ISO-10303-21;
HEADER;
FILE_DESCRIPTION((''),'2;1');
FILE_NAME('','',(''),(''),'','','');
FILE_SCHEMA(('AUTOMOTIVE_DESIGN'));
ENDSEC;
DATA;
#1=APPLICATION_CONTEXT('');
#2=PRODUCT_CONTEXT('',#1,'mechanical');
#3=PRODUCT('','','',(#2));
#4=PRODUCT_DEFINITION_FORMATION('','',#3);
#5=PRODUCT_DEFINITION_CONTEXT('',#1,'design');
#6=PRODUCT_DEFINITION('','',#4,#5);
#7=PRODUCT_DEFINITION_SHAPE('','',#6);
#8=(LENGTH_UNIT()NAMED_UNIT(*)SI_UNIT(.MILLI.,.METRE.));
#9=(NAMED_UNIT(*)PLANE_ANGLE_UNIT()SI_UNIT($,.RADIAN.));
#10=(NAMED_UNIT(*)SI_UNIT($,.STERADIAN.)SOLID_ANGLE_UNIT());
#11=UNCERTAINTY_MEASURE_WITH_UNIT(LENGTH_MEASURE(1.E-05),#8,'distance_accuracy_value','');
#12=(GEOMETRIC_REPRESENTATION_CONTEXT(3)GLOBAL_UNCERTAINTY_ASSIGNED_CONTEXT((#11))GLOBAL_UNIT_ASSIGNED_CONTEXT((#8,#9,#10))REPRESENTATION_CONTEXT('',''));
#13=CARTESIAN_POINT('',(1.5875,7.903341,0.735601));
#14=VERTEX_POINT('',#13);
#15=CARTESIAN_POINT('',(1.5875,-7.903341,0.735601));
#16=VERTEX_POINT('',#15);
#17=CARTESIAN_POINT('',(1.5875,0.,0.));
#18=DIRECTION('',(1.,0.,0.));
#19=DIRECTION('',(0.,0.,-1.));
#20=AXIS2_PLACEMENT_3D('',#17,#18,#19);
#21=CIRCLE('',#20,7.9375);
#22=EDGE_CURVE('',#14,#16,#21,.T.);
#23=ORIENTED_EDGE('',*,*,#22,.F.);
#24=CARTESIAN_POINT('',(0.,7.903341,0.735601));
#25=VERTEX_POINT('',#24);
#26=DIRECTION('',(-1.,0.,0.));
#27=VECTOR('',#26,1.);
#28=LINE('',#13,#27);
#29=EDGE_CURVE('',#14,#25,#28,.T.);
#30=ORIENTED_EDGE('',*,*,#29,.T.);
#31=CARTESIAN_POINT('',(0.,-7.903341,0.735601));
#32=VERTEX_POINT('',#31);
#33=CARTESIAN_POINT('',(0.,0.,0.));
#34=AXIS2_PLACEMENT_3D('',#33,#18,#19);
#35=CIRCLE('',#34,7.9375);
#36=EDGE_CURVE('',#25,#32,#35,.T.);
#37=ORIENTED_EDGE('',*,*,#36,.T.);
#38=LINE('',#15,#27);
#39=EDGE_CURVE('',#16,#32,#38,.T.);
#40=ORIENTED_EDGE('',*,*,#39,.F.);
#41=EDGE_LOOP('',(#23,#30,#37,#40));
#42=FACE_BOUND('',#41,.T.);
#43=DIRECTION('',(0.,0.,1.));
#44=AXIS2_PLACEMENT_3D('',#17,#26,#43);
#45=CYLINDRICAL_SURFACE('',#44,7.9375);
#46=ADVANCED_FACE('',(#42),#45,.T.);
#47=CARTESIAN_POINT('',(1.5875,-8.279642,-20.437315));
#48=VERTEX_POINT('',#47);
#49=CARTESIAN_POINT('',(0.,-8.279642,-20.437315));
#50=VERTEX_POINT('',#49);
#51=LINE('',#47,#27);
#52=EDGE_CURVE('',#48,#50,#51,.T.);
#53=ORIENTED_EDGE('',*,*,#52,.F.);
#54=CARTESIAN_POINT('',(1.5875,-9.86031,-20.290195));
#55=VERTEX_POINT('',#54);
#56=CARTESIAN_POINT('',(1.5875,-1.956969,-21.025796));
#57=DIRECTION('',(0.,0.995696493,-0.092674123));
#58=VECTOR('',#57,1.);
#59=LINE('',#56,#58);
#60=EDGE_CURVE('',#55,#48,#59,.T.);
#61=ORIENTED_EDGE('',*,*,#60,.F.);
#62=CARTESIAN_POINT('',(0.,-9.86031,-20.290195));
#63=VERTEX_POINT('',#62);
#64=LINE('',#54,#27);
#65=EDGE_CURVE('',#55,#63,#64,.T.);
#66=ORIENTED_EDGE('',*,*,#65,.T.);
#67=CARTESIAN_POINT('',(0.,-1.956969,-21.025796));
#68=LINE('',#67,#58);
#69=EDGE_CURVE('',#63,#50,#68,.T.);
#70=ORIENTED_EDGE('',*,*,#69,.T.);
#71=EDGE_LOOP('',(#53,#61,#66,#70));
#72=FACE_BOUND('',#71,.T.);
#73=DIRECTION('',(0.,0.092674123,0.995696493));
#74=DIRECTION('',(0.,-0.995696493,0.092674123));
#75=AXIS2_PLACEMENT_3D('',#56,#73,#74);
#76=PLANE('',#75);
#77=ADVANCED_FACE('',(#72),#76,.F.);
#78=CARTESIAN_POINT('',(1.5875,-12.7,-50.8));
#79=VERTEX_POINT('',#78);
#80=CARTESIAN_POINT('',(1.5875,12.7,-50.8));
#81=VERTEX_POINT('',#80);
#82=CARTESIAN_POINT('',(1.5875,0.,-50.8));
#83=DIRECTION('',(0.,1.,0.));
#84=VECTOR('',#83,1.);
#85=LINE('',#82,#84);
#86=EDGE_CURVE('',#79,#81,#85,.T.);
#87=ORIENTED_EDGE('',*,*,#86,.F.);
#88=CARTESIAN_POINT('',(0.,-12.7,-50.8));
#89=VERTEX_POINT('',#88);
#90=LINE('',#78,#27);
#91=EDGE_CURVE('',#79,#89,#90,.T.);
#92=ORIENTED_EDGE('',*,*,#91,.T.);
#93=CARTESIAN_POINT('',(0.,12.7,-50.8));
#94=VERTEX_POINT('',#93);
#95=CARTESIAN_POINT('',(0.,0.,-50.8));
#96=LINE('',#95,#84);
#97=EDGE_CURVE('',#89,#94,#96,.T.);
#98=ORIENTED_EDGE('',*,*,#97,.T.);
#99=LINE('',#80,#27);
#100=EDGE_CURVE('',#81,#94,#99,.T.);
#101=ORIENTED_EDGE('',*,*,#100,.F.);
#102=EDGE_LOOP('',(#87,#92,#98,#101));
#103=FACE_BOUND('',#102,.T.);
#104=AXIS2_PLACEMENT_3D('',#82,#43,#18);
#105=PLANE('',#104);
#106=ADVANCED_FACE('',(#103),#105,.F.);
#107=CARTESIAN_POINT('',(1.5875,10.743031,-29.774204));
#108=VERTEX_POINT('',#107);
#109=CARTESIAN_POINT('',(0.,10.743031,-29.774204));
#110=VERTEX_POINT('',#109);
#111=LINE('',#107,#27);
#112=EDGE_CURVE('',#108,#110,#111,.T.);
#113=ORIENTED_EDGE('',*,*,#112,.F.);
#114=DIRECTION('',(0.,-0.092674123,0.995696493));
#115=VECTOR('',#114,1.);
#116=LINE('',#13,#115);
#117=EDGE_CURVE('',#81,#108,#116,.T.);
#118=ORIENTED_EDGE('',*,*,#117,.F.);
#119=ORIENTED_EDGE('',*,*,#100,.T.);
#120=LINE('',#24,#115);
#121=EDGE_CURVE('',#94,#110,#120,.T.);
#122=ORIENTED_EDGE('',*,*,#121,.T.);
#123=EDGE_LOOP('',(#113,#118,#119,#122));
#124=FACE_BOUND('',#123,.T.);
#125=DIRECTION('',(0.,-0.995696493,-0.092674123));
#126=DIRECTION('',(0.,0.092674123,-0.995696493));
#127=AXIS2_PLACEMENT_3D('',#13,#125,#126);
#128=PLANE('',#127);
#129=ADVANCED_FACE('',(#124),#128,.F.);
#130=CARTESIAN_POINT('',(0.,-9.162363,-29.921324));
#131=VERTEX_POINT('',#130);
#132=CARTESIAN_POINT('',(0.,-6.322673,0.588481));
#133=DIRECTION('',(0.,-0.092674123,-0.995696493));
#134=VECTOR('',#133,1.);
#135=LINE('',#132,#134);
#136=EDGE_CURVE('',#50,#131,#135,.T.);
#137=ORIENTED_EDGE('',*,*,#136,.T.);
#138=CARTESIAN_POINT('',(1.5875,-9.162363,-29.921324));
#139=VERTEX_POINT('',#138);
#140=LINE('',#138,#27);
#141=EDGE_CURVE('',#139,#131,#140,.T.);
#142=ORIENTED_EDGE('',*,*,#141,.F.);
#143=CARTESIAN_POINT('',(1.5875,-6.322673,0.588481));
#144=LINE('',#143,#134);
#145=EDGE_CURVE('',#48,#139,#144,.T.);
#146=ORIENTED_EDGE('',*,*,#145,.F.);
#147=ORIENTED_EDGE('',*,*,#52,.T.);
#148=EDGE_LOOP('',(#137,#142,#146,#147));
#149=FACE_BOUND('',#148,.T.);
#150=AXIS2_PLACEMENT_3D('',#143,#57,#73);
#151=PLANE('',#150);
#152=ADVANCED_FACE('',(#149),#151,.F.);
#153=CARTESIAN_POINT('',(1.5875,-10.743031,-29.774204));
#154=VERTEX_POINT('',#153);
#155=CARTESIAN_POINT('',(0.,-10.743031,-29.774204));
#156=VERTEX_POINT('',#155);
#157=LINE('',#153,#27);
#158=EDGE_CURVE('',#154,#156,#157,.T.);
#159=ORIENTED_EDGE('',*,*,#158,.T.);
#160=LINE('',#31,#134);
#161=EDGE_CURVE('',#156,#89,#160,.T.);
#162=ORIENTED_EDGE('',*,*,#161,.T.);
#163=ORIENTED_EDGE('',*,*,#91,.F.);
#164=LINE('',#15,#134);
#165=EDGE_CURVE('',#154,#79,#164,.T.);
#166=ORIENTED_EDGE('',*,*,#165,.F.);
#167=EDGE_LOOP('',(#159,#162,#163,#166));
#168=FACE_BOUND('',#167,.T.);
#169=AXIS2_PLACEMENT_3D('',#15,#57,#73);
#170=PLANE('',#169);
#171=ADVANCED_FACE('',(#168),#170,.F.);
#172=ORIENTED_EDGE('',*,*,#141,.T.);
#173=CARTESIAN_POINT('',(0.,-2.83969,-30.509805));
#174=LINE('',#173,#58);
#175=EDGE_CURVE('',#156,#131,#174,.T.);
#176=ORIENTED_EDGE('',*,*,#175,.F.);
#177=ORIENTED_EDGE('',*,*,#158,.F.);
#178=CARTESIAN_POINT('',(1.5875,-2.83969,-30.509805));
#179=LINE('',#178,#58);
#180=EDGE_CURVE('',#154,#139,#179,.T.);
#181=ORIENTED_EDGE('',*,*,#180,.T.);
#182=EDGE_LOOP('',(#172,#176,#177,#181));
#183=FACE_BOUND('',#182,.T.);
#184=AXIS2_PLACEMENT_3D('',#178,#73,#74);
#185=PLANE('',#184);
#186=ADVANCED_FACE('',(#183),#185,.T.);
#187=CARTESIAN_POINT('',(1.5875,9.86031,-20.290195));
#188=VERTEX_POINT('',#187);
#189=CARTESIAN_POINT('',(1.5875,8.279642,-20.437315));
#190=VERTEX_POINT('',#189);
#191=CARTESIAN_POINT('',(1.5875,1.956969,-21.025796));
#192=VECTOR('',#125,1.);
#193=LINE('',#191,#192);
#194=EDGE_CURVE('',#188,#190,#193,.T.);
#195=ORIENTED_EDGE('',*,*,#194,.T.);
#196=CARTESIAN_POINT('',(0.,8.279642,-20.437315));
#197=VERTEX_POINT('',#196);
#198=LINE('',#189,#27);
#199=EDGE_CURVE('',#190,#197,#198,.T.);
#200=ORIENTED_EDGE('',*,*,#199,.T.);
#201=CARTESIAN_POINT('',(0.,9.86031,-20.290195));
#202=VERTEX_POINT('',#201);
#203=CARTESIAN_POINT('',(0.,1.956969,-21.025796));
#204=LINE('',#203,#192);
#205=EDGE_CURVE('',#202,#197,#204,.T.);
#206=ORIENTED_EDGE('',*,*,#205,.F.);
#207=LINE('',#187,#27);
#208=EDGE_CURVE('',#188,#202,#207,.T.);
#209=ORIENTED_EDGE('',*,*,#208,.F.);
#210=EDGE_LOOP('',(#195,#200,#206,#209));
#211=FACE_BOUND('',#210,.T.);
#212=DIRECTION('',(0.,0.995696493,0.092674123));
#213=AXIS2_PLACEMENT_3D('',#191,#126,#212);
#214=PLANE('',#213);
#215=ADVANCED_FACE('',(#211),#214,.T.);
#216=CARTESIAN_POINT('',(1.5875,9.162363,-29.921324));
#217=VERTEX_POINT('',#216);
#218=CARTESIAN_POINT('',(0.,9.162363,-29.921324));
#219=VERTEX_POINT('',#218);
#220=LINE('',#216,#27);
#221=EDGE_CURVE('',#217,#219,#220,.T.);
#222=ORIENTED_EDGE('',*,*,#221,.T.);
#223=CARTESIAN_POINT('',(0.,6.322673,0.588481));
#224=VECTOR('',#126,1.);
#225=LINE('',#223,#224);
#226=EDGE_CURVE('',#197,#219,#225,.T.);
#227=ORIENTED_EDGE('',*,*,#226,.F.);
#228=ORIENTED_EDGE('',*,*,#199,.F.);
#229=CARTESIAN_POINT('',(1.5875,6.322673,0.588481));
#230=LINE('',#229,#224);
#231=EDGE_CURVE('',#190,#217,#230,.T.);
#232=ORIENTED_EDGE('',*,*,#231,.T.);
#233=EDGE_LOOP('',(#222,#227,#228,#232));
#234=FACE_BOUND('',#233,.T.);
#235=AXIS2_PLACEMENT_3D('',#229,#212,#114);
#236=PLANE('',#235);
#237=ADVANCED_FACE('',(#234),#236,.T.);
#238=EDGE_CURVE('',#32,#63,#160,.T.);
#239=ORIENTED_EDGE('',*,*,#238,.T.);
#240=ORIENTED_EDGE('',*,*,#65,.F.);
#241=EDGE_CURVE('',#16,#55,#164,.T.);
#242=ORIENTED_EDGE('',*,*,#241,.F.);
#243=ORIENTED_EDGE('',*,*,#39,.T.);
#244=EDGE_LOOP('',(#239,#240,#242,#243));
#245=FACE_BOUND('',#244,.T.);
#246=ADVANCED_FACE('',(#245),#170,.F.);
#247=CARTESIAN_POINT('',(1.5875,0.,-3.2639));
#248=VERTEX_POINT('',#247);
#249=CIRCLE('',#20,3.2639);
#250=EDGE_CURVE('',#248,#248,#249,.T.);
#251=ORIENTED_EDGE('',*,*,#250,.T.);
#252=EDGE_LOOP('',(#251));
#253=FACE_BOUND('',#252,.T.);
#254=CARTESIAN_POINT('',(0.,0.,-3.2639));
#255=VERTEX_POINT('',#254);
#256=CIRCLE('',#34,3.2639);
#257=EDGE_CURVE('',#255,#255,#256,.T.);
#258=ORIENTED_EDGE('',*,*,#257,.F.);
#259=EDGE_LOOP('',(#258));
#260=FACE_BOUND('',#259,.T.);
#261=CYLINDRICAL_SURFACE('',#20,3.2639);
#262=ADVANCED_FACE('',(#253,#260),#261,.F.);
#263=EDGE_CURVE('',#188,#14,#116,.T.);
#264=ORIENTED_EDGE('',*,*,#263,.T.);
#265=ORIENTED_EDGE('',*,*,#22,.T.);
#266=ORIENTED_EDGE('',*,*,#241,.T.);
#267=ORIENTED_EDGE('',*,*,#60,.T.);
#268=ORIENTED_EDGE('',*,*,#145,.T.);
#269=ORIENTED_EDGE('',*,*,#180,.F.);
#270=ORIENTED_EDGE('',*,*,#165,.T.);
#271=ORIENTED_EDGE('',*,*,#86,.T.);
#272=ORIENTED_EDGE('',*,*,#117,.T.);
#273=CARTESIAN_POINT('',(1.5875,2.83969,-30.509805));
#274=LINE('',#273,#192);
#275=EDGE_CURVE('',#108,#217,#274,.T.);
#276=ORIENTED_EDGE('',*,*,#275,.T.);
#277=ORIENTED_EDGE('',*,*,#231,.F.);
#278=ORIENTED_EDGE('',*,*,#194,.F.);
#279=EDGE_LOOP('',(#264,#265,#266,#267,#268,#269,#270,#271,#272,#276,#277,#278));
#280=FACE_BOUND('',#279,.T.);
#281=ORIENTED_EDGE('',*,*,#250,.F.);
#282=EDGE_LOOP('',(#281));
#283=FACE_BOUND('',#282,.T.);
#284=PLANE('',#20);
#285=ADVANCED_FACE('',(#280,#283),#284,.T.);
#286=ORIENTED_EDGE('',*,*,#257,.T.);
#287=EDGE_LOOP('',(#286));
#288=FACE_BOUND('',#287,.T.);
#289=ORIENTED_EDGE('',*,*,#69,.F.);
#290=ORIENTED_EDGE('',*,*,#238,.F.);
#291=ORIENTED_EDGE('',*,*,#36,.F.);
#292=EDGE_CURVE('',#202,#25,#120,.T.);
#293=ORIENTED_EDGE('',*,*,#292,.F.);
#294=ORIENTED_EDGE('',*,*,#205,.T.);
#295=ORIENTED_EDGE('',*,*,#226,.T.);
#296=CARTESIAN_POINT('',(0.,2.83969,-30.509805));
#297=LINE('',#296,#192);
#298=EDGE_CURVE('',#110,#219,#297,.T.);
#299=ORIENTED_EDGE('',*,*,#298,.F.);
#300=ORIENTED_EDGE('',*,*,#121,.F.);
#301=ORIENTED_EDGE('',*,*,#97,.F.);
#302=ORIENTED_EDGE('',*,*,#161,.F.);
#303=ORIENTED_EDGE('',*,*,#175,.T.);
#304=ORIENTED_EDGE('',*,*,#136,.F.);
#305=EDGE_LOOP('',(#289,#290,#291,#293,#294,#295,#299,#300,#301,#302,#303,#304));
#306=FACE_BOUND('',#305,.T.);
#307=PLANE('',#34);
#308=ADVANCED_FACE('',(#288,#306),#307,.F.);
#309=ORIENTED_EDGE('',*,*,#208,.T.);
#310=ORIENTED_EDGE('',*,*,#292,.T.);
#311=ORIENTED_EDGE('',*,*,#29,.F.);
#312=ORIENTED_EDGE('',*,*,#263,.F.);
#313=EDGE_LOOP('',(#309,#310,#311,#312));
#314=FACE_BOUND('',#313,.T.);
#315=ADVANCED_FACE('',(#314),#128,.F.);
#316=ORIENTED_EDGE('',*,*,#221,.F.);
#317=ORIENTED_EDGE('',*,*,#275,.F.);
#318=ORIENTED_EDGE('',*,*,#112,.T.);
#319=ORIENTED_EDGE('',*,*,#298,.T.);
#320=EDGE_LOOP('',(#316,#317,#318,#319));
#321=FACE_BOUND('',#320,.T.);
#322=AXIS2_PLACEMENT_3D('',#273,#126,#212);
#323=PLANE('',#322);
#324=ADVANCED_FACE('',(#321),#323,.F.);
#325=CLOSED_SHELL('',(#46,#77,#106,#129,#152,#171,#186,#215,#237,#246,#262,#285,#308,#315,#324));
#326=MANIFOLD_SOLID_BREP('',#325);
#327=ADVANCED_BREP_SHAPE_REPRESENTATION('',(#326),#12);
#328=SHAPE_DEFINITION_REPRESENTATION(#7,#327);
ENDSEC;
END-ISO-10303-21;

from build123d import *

# Parameters (mm, degrees)
BOSS_EXTRUDE1_DEPTH     = 1.5875
F_1_4_CLEARANCE_HOLE1_D = 6.5278


with BuildPart() as part:
    # Sketch1 → Boss-Extrude1 (new body)
    with BuildSketch(Plane(origin=(0, 0, 0), x_dir=(0, 0, -1), z_dir=(1, 0, 0))):
        with BuildLine():
            ThreePointArc((-0.735600854, 7.903340916), (-5.86697273, 5.346263858), (-7.9375, 0))
            Line((-7.9375, 0), (50.8, 0))
            Line((50.8, 0), (50.8, 12.7))
            Line((50.8, 12.7), (29.774204123, 10.74303097))
            Line((29.774204123, 10.74303097), (29.921324293, 9.162362787))
            Line((29.921324293, 9.162362787), (20.437315194, 8.279641762))
            Line((20.437315194, 8.279641762), (20.290195023, 9.860309946))
            Line((20.290195023, 9.860309946), (-0.735600854, 7.903340916))
        make_face()
        with BuildLine():
            ThreePointArc((-7.9375, 0), (-5.86697273, -5.346263858), (-0.735600854, -7.903340916))
            Line((-0.735600854, -7.903340916), (20.290195023, -9.860309946))
            Line((20.290195023, -9.860309946), (20.437315194, -8.279641762))
            Line((20.437315194, -8.279641762), (29.921324293, -9.162362787))
            Line((29.921324293, -9.162362787), (29.774204123, -10.74303097))
            Line((29.774204123, -10.74303097), (50.8, -12.7))
            Line((50.8, -12.7), (50.8, 0))
            Line((50.8, 0), (-7.9375, 0))
        make_face()
    extrude(amount=BOSS_EXTRUDE1_DEPTH)

    # 1/4 Clearance Hole1 (through all)
    with Locations(Plane(origin=(1.5875, 0, 0), x_dir=(0, 0, -1), z_dir=(1, 0, 0))):
        with Locations((0, 0)):
            Hole(F_1_4_CLEARANCE_HOLE1_D / 2)


solid = part.part
